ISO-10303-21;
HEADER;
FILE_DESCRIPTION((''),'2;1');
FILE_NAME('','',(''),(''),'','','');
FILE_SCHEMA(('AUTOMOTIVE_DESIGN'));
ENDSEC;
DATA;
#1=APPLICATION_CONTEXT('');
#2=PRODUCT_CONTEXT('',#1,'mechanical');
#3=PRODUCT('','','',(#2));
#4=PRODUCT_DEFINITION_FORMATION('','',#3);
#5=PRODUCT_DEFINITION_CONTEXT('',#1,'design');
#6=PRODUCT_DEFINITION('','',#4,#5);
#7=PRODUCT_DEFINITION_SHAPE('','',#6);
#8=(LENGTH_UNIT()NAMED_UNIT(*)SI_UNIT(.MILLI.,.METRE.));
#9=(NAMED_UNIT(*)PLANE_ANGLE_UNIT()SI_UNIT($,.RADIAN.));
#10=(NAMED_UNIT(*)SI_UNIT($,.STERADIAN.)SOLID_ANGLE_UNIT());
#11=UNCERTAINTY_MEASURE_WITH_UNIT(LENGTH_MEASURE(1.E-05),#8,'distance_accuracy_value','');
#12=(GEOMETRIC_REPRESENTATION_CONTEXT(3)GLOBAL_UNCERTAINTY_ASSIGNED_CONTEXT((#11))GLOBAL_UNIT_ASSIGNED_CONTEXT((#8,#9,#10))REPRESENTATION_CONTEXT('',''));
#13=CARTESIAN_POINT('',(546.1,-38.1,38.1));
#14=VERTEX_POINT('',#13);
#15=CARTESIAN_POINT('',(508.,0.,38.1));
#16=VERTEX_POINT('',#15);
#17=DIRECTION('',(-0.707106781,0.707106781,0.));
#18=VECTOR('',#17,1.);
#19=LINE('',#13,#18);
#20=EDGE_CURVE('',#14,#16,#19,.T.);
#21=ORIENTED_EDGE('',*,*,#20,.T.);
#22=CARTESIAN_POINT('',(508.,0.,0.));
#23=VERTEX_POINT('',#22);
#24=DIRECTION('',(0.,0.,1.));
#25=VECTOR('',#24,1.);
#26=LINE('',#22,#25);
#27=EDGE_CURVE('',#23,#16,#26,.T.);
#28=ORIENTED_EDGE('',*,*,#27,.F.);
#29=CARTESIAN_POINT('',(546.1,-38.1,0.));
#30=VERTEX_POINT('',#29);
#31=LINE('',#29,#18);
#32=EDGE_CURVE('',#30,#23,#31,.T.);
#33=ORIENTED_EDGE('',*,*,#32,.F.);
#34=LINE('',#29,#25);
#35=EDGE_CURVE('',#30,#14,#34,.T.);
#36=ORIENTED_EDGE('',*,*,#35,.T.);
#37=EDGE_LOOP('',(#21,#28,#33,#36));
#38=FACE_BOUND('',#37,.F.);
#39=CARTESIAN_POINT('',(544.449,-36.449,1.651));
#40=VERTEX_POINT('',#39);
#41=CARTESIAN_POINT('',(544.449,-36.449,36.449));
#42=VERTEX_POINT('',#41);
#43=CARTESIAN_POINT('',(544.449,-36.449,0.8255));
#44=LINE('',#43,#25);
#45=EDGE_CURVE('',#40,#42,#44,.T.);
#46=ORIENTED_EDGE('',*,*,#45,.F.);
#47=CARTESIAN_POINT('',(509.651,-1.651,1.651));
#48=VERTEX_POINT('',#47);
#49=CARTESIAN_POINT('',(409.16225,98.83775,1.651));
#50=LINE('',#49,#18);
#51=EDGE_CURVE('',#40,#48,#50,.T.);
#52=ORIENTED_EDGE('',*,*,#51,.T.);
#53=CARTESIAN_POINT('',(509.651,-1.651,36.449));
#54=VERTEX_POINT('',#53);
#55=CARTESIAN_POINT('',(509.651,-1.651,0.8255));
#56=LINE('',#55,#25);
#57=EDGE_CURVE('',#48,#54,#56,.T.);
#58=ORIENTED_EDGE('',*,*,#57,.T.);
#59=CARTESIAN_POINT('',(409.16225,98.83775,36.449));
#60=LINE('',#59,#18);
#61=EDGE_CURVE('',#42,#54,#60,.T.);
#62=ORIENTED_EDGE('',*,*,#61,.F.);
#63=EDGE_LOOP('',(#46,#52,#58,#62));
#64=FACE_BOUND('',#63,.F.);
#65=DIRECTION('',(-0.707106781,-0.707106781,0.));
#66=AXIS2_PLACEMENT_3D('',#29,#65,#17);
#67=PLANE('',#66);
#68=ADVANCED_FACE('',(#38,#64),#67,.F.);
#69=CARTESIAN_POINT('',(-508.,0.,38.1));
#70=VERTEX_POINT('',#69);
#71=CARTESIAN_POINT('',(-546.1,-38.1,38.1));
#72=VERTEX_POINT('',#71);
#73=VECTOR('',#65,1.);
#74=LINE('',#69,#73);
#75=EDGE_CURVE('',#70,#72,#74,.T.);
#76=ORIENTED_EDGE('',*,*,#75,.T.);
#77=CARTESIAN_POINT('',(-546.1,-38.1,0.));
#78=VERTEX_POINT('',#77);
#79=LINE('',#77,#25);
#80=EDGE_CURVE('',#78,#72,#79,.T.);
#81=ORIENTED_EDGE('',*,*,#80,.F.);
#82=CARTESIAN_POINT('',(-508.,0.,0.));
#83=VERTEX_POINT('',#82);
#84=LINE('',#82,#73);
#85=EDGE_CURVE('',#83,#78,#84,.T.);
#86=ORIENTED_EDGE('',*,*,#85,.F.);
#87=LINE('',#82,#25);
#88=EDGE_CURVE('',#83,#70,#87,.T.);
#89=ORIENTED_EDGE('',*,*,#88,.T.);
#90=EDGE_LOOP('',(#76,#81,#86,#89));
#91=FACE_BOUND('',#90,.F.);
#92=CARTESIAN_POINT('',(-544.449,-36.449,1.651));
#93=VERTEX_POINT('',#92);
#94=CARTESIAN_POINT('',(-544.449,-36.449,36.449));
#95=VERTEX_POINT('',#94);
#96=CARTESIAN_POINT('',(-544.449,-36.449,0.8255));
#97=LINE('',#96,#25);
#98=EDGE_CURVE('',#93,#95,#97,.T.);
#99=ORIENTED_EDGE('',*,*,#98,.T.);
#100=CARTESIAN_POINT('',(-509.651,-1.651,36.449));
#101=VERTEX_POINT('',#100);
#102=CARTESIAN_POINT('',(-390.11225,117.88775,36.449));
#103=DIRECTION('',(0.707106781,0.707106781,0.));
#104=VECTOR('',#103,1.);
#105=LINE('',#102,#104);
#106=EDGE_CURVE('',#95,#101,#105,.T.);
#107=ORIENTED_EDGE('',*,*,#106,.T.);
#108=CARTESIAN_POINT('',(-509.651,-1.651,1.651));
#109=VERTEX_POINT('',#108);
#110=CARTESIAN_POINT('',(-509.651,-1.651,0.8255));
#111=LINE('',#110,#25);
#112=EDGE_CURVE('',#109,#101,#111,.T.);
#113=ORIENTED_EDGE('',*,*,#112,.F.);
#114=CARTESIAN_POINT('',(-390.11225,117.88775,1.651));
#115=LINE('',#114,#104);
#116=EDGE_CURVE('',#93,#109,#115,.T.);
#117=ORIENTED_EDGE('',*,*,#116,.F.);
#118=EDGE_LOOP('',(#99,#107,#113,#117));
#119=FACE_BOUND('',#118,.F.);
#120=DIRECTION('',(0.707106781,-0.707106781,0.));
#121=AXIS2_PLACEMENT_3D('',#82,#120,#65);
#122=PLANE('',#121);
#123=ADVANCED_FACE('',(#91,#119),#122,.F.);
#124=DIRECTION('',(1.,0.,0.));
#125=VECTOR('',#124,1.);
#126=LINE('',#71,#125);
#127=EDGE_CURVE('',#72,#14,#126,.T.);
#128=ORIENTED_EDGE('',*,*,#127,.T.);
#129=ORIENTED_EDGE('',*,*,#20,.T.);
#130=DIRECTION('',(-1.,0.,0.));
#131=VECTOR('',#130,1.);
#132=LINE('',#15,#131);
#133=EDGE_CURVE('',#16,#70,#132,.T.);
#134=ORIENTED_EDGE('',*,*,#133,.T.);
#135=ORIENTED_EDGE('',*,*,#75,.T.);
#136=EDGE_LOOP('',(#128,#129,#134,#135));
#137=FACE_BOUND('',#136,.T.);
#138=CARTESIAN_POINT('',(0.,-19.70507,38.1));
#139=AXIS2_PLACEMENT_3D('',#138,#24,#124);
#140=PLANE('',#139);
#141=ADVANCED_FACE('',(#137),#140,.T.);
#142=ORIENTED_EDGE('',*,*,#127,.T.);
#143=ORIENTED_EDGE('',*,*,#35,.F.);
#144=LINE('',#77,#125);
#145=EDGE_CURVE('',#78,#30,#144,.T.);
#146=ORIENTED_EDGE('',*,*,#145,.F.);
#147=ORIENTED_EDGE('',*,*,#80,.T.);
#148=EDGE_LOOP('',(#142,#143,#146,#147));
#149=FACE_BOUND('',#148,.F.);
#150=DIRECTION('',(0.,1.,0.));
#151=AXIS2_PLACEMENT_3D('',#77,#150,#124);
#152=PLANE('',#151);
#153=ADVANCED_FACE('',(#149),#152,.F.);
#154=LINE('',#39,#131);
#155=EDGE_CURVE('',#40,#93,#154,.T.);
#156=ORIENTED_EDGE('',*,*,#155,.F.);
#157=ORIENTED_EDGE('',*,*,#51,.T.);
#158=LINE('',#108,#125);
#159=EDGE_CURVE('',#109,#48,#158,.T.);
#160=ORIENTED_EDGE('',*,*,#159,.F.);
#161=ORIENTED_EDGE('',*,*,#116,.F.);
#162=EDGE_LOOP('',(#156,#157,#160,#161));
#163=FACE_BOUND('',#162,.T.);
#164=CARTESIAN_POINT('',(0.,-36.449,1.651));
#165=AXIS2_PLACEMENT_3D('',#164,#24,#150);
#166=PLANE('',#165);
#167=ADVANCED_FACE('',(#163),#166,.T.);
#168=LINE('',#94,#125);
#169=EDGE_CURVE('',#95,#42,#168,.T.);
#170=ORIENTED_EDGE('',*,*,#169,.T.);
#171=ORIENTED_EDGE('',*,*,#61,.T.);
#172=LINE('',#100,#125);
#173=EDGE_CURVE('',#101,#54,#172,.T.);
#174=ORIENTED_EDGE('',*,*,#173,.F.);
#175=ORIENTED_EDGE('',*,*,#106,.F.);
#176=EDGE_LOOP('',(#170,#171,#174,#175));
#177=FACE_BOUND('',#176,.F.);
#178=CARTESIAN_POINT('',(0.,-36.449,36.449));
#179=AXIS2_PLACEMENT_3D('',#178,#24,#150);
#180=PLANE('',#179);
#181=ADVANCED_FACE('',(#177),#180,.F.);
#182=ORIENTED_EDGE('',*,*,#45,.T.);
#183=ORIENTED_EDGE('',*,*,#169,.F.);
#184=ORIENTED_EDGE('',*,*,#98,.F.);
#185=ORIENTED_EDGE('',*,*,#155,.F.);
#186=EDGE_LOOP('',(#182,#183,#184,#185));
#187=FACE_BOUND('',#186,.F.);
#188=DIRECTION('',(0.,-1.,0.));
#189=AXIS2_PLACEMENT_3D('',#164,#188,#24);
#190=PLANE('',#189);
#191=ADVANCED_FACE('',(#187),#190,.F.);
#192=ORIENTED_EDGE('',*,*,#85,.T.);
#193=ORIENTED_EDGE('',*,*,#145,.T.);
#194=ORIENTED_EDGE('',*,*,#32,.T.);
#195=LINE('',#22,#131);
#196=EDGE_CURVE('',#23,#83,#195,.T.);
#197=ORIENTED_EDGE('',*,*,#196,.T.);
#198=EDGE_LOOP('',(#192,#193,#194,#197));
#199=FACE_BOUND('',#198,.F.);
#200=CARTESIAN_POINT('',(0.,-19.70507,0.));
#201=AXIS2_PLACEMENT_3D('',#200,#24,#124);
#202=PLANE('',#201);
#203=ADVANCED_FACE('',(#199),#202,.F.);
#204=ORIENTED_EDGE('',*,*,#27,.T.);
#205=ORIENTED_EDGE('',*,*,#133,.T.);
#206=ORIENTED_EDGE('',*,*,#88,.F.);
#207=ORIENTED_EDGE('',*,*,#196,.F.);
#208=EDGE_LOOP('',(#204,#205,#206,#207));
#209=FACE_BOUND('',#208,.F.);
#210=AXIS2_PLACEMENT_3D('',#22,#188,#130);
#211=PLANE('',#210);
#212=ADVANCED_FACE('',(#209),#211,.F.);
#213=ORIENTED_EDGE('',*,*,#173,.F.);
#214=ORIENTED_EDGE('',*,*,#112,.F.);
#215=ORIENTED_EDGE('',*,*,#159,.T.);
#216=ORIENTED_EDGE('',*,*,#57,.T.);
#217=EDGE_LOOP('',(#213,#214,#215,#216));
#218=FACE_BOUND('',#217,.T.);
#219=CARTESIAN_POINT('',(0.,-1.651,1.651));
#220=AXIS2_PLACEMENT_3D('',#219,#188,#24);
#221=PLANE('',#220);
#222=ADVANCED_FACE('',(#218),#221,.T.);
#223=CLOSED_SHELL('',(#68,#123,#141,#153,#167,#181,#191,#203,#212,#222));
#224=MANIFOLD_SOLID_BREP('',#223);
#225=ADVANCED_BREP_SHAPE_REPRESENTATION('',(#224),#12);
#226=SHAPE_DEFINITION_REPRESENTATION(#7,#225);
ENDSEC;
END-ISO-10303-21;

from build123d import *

# Parameters (mm, degrees)
F1_DEPTH      = 38.1
F2_W          = 34.798
F2_H          = 34.798
F3_DEPTH      = 546.101
F3_DEPTH_BACK = 546.101


with BuildPart() as f1:
    # F0 (on Top) → F1 (new body)
    with BuildSketch(Plane.XY):
        Polygon((508, 0), (0, 0), (-508, 0), (-546.1, -38.1), (0, -38.1), (546.1, -38.1), align=None)
    extrude(amount=F1_DEPTH)

    # F2 (on Right) → F3 (cut, two sides)
    with BuildSketch(Plane.YZ) as f3_sk:
        with Locations((-19.05, 19.05)):
            Rectangle(F2_W, F2_H)
    extrude(amount=-F3_DEPTH, mode=Mode.SUBTRACT)
    extrude(f3_sk.sketch, amount=F3_DEPTH_BACK, mode=Mode.SUBTRACT)


solid = f1.part
